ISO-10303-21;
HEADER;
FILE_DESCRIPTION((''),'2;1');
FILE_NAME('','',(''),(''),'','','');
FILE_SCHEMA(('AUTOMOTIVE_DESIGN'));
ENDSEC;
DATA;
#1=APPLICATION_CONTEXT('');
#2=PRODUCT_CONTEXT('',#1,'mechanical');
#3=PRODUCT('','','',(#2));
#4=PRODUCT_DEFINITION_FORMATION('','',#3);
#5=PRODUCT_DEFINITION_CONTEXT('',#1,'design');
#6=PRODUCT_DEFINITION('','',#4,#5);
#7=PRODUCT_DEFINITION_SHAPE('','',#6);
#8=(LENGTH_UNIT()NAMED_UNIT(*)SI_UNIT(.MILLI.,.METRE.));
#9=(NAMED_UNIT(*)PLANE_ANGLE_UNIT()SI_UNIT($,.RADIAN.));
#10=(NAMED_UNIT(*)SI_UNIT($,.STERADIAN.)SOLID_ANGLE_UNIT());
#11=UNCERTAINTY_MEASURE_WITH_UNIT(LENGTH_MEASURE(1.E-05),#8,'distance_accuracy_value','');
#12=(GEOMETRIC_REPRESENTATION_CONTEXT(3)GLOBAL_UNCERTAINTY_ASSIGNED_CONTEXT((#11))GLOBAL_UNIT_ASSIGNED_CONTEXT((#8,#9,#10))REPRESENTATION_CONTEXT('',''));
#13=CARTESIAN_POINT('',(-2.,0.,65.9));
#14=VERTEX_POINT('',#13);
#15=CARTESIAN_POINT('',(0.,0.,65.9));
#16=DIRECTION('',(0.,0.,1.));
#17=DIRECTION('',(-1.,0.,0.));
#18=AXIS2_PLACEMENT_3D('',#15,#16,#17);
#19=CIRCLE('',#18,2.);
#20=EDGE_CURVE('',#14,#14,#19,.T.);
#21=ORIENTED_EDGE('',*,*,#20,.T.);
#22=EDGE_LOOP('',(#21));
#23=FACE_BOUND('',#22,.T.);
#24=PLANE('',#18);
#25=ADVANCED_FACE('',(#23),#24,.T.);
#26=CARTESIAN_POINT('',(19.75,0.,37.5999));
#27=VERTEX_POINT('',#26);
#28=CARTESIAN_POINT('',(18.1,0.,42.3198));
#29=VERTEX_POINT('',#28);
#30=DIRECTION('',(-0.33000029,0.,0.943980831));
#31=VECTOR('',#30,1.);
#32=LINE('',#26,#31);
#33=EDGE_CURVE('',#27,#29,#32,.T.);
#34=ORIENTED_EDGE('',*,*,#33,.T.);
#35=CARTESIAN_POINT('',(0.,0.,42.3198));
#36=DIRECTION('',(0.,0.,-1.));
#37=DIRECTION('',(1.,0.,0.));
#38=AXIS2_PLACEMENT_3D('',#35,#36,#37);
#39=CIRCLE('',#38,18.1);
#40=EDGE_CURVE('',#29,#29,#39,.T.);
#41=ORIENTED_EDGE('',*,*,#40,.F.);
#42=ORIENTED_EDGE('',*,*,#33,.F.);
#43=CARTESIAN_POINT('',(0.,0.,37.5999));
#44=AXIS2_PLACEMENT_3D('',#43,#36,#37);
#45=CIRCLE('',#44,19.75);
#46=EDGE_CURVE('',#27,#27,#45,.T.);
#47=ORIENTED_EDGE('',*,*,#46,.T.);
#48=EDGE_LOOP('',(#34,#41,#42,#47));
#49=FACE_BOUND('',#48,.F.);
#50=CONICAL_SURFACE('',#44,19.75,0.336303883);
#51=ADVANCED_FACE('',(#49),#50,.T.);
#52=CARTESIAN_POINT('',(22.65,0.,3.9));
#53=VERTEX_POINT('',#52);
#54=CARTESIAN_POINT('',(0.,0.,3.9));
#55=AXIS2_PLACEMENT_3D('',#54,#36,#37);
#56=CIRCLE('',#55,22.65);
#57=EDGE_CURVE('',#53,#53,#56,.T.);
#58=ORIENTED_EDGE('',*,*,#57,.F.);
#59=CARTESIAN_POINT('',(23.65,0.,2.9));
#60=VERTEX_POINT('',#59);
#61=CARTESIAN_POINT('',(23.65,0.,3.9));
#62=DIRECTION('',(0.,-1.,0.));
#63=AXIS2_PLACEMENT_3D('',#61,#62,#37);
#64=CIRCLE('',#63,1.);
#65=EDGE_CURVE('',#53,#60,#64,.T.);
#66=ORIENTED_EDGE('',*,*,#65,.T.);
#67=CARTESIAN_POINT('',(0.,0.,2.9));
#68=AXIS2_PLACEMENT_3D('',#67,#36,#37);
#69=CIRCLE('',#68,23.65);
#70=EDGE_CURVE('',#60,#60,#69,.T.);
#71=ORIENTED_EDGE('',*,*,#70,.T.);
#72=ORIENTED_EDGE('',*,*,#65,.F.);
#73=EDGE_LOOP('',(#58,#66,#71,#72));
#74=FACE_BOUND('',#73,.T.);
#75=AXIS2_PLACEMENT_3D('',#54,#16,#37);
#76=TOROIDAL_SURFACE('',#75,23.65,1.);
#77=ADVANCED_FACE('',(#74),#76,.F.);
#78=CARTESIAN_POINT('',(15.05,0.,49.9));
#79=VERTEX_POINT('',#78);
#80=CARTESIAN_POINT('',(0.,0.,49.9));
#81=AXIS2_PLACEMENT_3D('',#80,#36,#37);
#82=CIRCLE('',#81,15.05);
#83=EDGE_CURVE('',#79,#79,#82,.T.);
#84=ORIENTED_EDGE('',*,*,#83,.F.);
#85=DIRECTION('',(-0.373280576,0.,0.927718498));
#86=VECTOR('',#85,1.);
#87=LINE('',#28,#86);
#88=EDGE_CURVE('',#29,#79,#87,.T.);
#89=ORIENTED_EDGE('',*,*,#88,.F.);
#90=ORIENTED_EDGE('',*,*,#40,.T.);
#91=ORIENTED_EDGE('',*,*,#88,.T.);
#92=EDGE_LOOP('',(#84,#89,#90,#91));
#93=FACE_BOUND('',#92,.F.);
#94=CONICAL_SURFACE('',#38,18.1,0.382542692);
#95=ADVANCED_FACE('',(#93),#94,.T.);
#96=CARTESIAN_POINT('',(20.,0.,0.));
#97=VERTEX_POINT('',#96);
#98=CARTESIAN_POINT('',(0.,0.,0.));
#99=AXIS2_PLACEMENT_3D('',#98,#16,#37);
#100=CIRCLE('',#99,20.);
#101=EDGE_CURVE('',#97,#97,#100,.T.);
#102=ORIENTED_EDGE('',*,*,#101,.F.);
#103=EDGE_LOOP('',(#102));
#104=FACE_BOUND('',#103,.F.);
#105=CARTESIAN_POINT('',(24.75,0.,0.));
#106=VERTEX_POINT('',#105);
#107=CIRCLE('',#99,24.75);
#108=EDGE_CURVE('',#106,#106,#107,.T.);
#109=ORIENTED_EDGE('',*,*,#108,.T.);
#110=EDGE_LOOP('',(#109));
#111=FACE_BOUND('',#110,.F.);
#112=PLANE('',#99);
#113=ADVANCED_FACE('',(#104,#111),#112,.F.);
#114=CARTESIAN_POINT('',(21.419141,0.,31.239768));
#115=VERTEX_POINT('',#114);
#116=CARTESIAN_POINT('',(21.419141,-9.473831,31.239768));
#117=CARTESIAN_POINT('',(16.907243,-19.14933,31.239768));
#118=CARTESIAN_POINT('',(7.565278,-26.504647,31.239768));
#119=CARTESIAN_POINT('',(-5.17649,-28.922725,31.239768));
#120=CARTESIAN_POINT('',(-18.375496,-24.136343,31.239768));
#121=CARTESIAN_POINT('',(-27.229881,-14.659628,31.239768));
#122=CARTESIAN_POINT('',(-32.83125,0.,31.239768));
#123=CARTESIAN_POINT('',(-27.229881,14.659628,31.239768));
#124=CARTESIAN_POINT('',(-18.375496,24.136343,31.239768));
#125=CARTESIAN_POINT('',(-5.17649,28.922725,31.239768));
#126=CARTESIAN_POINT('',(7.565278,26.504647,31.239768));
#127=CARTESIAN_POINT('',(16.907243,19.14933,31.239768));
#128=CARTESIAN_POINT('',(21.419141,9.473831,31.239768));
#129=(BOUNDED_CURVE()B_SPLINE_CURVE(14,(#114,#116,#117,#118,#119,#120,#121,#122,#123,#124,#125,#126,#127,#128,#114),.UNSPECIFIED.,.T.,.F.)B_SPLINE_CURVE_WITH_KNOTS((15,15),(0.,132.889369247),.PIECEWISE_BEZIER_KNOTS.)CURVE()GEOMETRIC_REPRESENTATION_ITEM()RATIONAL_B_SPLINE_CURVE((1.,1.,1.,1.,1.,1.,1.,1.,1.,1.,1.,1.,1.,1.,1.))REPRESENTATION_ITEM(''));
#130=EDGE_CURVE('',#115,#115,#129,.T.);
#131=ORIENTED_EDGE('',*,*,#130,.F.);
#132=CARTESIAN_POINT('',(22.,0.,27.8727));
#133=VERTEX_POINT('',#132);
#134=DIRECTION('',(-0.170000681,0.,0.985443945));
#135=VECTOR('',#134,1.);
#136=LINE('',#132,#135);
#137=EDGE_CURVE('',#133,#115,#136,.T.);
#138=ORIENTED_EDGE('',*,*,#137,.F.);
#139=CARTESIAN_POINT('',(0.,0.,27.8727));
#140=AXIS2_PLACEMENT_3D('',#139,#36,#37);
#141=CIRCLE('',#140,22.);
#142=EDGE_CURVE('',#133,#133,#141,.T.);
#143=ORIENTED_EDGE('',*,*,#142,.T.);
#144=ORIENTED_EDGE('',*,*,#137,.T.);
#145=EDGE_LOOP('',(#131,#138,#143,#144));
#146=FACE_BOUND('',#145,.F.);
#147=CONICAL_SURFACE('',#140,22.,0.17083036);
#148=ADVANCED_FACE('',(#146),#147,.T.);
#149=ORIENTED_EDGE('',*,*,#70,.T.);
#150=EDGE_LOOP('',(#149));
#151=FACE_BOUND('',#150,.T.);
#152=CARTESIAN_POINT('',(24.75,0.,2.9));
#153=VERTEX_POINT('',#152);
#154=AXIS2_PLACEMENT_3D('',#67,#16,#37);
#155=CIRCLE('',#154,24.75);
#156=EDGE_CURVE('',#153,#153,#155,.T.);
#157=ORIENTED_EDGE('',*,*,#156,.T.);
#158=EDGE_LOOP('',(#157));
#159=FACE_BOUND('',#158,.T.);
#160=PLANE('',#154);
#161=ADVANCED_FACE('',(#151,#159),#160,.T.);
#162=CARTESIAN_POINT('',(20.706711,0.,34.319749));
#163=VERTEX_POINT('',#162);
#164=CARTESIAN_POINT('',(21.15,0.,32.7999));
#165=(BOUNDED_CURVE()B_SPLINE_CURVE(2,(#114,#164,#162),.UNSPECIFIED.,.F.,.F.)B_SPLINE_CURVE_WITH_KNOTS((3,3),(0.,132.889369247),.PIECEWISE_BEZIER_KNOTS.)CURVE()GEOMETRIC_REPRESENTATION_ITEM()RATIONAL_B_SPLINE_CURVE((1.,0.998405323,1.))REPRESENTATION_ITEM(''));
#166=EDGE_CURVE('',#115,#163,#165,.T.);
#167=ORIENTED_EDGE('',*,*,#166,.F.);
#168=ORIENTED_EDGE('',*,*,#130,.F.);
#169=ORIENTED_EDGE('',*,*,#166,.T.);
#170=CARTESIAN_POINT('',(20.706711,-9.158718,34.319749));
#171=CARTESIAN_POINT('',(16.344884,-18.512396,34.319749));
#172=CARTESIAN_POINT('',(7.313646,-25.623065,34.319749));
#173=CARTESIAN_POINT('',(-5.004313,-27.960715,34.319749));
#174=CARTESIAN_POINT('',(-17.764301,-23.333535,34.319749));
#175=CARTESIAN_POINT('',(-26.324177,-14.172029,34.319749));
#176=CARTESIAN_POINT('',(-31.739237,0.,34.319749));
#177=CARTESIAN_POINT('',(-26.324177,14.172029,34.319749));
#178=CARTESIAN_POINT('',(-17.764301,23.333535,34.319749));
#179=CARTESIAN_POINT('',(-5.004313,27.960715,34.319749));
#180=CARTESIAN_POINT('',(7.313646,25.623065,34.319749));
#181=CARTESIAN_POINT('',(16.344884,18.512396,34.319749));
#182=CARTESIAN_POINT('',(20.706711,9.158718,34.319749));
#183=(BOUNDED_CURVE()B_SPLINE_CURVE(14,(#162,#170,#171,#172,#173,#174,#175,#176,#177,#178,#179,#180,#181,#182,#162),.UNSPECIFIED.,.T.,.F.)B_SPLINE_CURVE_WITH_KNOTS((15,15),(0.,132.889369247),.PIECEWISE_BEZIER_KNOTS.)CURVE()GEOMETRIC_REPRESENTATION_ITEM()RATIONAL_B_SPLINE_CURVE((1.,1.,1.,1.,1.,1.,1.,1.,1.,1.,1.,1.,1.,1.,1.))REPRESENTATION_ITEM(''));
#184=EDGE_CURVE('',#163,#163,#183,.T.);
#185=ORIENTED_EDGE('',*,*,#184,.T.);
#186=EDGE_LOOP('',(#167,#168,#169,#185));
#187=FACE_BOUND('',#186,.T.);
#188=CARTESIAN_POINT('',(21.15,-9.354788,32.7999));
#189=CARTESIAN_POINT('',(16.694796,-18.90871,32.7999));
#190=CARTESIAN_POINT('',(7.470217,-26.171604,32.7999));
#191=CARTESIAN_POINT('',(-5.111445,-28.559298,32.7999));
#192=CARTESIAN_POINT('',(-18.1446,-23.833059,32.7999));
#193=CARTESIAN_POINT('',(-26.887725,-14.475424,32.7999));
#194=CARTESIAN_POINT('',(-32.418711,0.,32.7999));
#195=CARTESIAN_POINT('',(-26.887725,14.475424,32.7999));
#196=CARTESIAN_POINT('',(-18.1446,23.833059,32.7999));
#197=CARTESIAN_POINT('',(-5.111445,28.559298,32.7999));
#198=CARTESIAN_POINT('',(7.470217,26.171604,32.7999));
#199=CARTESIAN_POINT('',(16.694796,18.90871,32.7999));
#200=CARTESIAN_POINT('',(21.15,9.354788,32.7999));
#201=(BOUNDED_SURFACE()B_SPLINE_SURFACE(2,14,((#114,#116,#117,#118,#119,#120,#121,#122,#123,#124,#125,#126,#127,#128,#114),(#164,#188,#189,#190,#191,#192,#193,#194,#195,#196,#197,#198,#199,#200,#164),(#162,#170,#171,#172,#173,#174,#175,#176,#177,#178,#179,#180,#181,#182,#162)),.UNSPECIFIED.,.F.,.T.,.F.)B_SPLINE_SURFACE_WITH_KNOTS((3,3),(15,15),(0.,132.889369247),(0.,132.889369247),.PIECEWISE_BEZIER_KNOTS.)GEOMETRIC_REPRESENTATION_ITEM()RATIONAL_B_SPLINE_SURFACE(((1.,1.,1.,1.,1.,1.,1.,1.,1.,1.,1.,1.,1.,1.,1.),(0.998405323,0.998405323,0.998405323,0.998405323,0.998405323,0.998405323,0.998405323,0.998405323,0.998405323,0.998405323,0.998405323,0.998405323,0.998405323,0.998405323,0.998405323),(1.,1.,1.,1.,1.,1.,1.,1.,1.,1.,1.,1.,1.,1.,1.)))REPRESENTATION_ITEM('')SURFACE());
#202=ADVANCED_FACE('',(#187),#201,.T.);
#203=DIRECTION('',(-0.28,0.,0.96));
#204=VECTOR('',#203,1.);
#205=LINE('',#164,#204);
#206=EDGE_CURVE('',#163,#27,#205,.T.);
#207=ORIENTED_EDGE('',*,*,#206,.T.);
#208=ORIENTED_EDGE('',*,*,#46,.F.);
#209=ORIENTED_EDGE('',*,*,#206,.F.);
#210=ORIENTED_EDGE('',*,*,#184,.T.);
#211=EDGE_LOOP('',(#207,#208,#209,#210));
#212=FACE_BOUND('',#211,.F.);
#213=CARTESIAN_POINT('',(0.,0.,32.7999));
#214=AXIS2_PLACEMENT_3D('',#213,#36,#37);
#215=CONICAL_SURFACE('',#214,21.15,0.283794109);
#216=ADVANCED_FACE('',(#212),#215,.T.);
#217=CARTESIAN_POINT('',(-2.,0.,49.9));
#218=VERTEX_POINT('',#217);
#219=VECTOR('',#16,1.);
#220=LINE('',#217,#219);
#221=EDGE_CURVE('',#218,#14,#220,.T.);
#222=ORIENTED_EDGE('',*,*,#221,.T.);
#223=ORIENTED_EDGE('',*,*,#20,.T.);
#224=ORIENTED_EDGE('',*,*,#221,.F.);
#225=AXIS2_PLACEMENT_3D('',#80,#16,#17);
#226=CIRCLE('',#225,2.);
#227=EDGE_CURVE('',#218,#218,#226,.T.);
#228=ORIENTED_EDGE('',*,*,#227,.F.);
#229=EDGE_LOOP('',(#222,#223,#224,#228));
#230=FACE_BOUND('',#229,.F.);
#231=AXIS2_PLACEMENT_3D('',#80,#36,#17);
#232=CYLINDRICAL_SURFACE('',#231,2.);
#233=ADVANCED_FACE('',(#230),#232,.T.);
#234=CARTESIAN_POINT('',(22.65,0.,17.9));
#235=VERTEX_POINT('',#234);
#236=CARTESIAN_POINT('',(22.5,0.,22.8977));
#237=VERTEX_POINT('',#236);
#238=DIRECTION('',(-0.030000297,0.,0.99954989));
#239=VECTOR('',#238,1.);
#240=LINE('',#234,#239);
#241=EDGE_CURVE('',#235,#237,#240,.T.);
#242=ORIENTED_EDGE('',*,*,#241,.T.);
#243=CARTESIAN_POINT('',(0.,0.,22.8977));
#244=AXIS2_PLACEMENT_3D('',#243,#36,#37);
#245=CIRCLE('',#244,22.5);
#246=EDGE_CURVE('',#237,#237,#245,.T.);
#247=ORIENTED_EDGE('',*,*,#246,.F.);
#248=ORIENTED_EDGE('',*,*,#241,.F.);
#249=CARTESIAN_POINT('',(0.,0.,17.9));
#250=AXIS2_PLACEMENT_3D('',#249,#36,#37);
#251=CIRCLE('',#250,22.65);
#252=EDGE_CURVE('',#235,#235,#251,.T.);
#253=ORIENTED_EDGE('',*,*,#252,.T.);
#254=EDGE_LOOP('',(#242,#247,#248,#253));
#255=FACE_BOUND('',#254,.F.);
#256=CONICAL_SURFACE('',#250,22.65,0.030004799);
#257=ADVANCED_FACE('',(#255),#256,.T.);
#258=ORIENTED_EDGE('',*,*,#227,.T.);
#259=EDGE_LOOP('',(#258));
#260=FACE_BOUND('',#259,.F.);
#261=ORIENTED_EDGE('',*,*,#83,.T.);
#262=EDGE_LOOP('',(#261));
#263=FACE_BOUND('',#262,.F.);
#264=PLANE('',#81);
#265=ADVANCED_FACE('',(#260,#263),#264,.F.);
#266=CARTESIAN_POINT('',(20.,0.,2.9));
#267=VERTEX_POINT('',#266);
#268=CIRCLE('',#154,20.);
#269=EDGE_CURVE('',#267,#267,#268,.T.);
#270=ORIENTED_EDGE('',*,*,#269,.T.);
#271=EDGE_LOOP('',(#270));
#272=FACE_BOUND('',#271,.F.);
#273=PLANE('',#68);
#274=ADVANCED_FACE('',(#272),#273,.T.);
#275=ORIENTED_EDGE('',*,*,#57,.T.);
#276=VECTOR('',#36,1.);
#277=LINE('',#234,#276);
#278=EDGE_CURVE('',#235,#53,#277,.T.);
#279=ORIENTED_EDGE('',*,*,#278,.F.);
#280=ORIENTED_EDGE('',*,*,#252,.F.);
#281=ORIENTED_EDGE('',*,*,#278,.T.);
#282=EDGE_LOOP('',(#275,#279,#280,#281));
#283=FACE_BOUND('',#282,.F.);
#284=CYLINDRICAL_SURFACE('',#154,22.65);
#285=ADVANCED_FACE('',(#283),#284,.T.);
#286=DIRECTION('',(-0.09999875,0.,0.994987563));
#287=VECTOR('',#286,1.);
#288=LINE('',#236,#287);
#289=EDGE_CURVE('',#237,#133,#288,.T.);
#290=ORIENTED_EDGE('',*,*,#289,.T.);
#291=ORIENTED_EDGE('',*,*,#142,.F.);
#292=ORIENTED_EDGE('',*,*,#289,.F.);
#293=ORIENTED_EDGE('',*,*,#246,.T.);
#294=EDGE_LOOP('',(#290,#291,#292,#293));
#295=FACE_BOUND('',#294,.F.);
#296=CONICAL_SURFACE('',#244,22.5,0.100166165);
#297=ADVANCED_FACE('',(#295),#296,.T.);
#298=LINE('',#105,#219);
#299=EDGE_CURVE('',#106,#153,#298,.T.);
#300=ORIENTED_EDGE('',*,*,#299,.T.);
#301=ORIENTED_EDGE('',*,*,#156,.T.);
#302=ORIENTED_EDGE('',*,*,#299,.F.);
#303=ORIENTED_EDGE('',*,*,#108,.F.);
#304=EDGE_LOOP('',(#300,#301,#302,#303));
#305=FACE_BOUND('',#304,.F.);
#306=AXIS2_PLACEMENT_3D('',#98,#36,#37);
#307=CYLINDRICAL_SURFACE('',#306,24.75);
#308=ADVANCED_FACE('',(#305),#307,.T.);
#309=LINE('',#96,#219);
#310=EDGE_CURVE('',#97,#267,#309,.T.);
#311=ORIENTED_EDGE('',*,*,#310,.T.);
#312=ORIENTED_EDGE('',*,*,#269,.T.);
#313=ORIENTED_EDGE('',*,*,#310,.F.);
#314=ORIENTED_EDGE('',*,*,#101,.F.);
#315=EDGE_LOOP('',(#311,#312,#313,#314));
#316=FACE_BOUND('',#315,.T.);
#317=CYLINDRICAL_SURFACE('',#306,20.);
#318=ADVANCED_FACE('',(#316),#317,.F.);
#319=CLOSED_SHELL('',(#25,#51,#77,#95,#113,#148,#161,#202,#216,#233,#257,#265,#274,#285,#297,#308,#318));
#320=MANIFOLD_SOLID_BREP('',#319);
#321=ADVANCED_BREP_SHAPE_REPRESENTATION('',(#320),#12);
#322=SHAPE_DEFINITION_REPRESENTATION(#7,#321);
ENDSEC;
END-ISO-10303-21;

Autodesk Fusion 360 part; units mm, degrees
sketch "Skizze1" plane through (0, 0, 0) normal (0, 0, 1) x (1, 0, 0)
  circle A0 centre (0, 0) radius 24.75
  circle A1 centre (0, 0) radius 20
  dimension "d1" = 49.5
  dimension "d4" = 40
extrude "Extrusion1" add sketch "Skizze1" along normal blind 2.9
sketch "Skizze2" plane through (0, 0, 0) normal (0, 1, 0) x (1, 0, 0)
  line L0 (-24.75, -2.9) -> (24.75, -2.9)
  line L1 (-24.75, 0) -> (24.75, 0)
  line L2 (22.65, -2.9) -> (22.65, -7.9)
  line L3 (22.65, -7.9) -> (22.65, -12.9)
  line L4 (22.65, -12.9) -> (22.65, -17.9)
  line L5 (22.65, -17.9) -> (22.5, -22.8977)
  line L6 (22.5, -22.8977) -> (22, -27.8727)
  line L7 (22, -27.8727) -> (21.15, -32.7999)
  line L8 (21.15, -32.7999) -> (19.75, -37.5999)
  line L9 (19.75, -37.5999) -> (18.1, -42.3198)
  line L10 (0, -2.9) -> (0, -41.75) construction
  line L11 (18.1, -42.3198) -> (15.05, -49.9)
  line L12 (15.05, -49.9) -> (0, -49.9)
  line L13 (0, -49.9) -> (0, -2.9)
  dimension "d6" = 5
  dimension "d8" = 22.65
  dimension "d9" = 22.65
  dimension "d10" = 22.65
  dimension "d11" = 22.65
  dimension "d12" = 22.5
  dimension "d13" = 22
  dimension "d14" = 21.15
  dimension "d15" = 19.75
  dimension "d17" = 18.1
  dimension "d18" = 47
  dimension "d20" = 15.05
  dimension "d21" = 8.1708
  dimension "d22" = 7.5802
revolve "Drehen1" add sketch "Skizze2" angle 360 about axis through (0, 0, 49.9) along (0, 0, -1)
fillet "Abrundung1" radius 28 6 edges at (-16.8751, -6.5452, 42.3198) (-18.4135, -7.1419, 37.5999) (-19.7187, -7.6482, 32.7999) (-20.5112, -7.9555, 27.8727) (-20.9774, -8.1363, 22.8977) (-21.1172, -8.1906, 17.9)
fillet "Abrundung2" radius 1 1 edges at (-21.1172, 8.1906, 2.9)
sketch "Skizze3" plane through (0, 0, 49.9) normal (0, 0, 1) x (-1, 0, 0)
  circle A0 centre (0, 0) radius 15.05
  circle A1 centre (0, 0) radius 2
  dimension "d28" = 4
extrude "Extrusion2" add sketch "Skizze3" along normal blind 16 contours A1
equation "d8 = ( 45.3 / 2 ) * 1 mm"
equation "d9 = ( 45.3 / 2 ) * 1 mm"
equation "d10 = ( 45.3 / 2 ) * 1 mm"
equation "d11 = ( 45.3 / 2 ) * 1 mm"
equation "d12 = ( 45.0 / 2 ) * 1 mm"
equation "d13 = ( 44 / 2 ) * 1 mm"
equation "d14 = ( 42.3 / 2 ) * 1 mm"
equation "d15 = ( 39.5 / 2 ) * 1 mm"
equation "d17 = ( 36.2 / 2 ) * 1 mm"
equation "d20 = ( 30.1 / 2 ) * 1 mm"
